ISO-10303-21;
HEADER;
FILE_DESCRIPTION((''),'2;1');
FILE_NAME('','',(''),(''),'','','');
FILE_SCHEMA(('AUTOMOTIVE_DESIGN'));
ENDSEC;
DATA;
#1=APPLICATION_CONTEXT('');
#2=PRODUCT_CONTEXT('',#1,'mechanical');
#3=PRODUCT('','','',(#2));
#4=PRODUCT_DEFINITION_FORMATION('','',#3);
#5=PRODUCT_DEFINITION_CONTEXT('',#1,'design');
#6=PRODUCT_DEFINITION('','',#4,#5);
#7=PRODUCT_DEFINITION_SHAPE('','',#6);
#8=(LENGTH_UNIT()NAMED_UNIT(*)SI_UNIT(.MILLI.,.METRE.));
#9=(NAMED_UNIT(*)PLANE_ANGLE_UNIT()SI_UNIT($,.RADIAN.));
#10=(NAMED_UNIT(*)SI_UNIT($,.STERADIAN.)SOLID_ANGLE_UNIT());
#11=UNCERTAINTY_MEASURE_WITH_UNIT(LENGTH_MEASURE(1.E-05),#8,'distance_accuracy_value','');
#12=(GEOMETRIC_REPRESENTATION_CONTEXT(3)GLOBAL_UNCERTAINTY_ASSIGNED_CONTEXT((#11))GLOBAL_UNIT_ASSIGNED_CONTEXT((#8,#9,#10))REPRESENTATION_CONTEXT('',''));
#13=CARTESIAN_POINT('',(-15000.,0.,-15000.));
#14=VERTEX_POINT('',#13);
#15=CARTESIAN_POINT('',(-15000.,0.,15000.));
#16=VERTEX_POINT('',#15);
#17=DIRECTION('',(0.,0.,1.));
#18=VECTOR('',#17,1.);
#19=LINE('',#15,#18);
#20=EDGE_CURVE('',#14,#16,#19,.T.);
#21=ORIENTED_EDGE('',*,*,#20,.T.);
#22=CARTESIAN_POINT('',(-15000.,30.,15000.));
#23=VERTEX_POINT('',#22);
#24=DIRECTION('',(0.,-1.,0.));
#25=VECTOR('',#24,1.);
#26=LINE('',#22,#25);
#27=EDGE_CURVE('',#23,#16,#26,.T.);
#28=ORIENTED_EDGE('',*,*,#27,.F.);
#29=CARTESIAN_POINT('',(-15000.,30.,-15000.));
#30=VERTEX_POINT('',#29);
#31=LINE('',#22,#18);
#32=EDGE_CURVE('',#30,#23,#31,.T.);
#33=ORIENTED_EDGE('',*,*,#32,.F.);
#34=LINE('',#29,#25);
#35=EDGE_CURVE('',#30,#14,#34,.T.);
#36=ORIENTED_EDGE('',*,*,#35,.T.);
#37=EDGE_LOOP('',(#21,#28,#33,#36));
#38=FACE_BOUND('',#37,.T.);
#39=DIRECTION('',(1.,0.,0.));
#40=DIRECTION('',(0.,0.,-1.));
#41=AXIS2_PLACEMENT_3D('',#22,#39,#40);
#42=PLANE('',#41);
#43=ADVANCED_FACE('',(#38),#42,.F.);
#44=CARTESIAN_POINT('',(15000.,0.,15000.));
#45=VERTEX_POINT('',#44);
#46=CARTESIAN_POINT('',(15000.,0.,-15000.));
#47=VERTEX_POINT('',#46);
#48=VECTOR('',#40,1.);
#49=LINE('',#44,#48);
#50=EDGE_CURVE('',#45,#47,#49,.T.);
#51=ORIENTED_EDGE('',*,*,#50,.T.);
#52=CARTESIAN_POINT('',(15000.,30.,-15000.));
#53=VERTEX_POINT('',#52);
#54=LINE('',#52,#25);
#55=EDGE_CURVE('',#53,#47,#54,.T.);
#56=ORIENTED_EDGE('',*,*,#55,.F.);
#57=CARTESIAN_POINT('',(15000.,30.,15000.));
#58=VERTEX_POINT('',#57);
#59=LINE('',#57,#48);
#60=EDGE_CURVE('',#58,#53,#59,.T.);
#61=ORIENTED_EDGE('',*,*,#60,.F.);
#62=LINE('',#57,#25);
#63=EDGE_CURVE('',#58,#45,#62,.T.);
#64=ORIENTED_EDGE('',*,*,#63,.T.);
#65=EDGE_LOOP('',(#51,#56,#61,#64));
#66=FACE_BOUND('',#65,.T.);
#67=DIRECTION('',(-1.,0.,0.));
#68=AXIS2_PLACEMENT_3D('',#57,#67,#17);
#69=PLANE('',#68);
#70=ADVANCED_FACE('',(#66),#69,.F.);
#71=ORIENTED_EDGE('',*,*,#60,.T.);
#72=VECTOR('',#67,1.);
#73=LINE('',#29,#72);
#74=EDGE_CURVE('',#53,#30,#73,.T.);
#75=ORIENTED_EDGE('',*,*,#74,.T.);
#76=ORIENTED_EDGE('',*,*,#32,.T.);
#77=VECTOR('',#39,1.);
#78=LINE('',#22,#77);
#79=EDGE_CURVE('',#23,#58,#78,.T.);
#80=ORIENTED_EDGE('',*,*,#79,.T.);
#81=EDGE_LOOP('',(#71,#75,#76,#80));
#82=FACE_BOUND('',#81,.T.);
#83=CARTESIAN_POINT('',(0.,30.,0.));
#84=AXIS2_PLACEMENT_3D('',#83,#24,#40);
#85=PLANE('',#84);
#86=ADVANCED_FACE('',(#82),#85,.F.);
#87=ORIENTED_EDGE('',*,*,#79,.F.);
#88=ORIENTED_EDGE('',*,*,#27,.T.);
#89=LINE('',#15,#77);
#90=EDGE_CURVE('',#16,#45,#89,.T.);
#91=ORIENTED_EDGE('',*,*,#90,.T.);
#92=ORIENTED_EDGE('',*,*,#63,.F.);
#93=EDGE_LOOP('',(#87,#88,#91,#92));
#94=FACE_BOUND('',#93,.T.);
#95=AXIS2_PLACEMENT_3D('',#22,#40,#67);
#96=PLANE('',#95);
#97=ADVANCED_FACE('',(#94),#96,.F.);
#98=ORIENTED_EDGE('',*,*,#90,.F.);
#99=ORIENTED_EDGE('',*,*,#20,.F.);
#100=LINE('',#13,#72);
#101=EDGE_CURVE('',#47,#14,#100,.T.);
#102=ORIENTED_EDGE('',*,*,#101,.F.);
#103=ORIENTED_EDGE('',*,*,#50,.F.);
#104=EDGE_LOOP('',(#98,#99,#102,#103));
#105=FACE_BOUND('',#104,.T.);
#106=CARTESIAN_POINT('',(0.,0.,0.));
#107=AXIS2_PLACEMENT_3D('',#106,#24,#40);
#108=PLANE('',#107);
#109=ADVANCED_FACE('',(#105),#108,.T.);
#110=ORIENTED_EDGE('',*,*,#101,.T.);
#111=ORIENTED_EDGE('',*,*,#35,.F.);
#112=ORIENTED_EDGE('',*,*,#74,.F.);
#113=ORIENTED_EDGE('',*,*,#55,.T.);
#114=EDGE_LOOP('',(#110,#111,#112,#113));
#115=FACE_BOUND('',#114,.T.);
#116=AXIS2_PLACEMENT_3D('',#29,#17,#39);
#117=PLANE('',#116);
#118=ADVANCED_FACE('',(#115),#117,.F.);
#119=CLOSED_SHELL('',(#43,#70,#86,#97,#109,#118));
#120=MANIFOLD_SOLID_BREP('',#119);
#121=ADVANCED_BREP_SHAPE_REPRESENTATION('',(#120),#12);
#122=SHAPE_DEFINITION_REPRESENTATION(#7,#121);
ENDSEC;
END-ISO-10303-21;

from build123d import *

# Parameters (mm, degrees)
ESBO_O1_W                = 30000
ESBO_O1_H                = 30000
RESSALTO_EXTRUS_O1_DEPTH = 30


with BuildPart() as part:
    # Esboço1 → Ressalto-extrusão1 (new body)
    with BuildSketch(Plane(origin=(0, 0, 0), x_dir=(1, 0, 0), z_dir=(0, 1, 0))):
        Rectangle(ESBO_O1_W, ESBO_O1_H)
    extrude(amount=RESSALTO_EXTRUS_O1_DEPTH)


solid = part.part
